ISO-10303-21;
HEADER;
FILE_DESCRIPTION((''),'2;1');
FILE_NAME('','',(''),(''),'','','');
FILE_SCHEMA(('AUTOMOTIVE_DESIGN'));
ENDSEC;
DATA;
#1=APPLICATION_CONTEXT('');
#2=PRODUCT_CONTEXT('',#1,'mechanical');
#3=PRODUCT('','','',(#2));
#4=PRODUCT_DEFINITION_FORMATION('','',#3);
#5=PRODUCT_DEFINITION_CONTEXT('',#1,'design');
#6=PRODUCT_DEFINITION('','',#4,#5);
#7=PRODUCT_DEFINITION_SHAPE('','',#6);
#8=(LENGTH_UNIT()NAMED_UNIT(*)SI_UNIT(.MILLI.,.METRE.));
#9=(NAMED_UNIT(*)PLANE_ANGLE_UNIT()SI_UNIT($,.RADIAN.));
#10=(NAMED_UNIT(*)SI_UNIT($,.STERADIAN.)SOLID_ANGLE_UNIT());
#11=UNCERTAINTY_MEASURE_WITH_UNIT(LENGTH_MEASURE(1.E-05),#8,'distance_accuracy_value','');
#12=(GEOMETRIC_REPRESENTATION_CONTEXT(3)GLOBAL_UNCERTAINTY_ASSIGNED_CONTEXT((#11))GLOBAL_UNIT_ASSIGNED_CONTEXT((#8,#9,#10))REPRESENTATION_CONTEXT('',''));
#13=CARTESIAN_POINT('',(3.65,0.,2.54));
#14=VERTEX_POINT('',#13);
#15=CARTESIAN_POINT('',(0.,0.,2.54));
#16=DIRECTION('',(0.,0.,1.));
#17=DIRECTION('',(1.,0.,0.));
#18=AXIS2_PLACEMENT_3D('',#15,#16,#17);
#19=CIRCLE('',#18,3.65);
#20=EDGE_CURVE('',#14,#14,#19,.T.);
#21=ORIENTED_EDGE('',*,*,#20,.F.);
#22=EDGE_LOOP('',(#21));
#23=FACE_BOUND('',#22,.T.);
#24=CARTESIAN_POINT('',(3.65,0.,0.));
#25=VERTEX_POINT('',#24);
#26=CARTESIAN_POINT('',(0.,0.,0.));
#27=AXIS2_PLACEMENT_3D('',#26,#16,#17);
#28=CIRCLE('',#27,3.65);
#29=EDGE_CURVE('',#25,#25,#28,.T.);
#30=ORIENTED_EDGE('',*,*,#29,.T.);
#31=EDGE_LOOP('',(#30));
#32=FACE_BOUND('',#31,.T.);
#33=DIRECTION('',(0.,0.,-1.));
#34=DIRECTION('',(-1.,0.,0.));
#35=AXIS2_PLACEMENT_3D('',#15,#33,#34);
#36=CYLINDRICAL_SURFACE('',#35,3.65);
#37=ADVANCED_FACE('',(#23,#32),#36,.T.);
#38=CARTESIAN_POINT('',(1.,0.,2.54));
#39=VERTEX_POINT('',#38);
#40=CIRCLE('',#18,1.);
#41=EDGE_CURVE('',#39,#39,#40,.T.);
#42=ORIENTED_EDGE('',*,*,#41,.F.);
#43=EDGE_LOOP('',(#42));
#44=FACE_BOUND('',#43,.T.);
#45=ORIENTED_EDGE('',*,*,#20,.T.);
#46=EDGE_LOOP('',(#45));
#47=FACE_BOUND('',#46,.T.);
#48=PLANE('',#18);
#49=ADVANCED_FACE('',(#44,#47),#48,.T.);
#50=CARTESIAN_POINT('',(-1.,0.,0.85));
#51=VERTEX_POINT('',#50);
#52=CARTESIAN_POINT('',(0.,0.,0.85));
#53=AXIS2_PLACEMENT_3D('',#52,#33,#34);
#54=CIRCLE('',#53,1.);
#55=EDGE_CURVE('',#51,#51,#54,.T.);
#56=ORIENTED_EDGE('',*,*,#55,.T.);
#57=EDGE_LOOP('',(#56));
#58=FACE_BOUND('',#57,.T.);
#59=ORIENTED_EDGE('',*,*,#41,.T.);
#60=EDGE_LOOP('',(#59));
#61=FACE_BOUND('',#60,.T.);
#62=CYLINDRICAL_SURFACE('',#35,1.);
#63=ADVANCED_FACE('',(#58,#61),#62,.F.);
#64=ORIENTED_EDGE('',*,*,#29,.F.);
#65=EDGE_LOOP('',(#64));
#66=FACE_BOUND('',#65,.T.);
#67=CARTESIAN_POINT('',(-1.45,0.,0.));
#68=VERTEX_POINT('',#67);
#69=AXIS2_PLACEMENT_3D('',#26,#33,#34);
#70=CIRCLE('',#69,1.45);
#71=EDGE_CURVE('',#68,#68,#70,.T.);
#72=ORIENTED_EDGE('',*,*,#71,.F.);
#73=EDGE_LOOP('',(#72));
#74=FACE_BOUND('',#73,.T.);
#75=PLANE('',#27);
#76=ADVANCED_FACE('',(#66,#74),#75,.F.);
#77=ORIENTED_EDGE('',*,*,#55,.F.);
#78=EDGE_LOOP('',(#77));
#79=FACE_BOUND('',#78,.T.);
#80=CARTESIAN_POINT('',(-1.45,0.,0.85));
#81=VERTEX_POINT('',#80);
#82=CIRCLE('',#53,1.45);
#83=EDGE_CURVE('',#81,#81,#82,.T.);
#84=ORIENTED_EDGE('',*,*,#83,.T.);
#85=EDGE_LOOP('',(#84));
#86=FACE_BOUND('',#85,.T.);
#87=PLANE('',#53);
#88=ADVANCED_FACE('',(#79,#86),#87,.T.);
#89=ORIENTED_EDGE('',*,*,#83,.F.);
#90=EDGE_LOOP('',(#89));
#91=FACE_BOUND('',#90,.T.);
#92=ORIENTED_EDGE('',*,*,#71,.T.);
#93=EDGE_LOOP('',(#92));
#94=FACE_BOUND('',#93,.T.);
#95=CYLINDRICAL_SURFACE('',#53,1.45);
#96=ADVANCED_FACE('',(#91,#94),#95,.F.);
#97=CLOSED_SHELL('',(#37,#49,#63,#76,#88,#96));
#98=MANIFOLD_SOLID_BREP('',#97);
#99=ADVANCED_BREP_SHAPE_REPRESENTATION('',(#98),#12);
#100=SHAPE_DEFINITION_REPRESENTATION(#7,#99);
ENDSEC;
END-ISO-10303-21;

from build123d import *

# Parameters (mm, degrees)
SKETCH_1_R          = 3.65
SKETCH_1_R_2        = 1
EXTRUDE_1_DEPTH     = 2.54
SKETCH_2_R          = 1.45
CUT_EXTRUDE_1_DEPTH = 0.85


with BuildPart() as part:
    # 草图1 → 凸台-拉伸1 (new body)
    with BuildSketch(Plane.XY):
        Circle(SKETCH_1_R)
        Circle(SKETCH_1_R_2, mode=Mode.SUBTRACT)
    extrude(amount=EXTRUDE_1_DEPTH)

    # 草图2 → 切除-拉伸1 (cut)
    with BuildSketch(Plane(origin=(0, 0, 0), x_dir=(-1, 0, 0), z_dir=(0, 0, -1))):
        Circle(SKETCH_2_R)
    extrude(amount=-CUT_EXTRUDE_1_DEPTH, mode=Mode.SUBTRACT)


solid = part.part
